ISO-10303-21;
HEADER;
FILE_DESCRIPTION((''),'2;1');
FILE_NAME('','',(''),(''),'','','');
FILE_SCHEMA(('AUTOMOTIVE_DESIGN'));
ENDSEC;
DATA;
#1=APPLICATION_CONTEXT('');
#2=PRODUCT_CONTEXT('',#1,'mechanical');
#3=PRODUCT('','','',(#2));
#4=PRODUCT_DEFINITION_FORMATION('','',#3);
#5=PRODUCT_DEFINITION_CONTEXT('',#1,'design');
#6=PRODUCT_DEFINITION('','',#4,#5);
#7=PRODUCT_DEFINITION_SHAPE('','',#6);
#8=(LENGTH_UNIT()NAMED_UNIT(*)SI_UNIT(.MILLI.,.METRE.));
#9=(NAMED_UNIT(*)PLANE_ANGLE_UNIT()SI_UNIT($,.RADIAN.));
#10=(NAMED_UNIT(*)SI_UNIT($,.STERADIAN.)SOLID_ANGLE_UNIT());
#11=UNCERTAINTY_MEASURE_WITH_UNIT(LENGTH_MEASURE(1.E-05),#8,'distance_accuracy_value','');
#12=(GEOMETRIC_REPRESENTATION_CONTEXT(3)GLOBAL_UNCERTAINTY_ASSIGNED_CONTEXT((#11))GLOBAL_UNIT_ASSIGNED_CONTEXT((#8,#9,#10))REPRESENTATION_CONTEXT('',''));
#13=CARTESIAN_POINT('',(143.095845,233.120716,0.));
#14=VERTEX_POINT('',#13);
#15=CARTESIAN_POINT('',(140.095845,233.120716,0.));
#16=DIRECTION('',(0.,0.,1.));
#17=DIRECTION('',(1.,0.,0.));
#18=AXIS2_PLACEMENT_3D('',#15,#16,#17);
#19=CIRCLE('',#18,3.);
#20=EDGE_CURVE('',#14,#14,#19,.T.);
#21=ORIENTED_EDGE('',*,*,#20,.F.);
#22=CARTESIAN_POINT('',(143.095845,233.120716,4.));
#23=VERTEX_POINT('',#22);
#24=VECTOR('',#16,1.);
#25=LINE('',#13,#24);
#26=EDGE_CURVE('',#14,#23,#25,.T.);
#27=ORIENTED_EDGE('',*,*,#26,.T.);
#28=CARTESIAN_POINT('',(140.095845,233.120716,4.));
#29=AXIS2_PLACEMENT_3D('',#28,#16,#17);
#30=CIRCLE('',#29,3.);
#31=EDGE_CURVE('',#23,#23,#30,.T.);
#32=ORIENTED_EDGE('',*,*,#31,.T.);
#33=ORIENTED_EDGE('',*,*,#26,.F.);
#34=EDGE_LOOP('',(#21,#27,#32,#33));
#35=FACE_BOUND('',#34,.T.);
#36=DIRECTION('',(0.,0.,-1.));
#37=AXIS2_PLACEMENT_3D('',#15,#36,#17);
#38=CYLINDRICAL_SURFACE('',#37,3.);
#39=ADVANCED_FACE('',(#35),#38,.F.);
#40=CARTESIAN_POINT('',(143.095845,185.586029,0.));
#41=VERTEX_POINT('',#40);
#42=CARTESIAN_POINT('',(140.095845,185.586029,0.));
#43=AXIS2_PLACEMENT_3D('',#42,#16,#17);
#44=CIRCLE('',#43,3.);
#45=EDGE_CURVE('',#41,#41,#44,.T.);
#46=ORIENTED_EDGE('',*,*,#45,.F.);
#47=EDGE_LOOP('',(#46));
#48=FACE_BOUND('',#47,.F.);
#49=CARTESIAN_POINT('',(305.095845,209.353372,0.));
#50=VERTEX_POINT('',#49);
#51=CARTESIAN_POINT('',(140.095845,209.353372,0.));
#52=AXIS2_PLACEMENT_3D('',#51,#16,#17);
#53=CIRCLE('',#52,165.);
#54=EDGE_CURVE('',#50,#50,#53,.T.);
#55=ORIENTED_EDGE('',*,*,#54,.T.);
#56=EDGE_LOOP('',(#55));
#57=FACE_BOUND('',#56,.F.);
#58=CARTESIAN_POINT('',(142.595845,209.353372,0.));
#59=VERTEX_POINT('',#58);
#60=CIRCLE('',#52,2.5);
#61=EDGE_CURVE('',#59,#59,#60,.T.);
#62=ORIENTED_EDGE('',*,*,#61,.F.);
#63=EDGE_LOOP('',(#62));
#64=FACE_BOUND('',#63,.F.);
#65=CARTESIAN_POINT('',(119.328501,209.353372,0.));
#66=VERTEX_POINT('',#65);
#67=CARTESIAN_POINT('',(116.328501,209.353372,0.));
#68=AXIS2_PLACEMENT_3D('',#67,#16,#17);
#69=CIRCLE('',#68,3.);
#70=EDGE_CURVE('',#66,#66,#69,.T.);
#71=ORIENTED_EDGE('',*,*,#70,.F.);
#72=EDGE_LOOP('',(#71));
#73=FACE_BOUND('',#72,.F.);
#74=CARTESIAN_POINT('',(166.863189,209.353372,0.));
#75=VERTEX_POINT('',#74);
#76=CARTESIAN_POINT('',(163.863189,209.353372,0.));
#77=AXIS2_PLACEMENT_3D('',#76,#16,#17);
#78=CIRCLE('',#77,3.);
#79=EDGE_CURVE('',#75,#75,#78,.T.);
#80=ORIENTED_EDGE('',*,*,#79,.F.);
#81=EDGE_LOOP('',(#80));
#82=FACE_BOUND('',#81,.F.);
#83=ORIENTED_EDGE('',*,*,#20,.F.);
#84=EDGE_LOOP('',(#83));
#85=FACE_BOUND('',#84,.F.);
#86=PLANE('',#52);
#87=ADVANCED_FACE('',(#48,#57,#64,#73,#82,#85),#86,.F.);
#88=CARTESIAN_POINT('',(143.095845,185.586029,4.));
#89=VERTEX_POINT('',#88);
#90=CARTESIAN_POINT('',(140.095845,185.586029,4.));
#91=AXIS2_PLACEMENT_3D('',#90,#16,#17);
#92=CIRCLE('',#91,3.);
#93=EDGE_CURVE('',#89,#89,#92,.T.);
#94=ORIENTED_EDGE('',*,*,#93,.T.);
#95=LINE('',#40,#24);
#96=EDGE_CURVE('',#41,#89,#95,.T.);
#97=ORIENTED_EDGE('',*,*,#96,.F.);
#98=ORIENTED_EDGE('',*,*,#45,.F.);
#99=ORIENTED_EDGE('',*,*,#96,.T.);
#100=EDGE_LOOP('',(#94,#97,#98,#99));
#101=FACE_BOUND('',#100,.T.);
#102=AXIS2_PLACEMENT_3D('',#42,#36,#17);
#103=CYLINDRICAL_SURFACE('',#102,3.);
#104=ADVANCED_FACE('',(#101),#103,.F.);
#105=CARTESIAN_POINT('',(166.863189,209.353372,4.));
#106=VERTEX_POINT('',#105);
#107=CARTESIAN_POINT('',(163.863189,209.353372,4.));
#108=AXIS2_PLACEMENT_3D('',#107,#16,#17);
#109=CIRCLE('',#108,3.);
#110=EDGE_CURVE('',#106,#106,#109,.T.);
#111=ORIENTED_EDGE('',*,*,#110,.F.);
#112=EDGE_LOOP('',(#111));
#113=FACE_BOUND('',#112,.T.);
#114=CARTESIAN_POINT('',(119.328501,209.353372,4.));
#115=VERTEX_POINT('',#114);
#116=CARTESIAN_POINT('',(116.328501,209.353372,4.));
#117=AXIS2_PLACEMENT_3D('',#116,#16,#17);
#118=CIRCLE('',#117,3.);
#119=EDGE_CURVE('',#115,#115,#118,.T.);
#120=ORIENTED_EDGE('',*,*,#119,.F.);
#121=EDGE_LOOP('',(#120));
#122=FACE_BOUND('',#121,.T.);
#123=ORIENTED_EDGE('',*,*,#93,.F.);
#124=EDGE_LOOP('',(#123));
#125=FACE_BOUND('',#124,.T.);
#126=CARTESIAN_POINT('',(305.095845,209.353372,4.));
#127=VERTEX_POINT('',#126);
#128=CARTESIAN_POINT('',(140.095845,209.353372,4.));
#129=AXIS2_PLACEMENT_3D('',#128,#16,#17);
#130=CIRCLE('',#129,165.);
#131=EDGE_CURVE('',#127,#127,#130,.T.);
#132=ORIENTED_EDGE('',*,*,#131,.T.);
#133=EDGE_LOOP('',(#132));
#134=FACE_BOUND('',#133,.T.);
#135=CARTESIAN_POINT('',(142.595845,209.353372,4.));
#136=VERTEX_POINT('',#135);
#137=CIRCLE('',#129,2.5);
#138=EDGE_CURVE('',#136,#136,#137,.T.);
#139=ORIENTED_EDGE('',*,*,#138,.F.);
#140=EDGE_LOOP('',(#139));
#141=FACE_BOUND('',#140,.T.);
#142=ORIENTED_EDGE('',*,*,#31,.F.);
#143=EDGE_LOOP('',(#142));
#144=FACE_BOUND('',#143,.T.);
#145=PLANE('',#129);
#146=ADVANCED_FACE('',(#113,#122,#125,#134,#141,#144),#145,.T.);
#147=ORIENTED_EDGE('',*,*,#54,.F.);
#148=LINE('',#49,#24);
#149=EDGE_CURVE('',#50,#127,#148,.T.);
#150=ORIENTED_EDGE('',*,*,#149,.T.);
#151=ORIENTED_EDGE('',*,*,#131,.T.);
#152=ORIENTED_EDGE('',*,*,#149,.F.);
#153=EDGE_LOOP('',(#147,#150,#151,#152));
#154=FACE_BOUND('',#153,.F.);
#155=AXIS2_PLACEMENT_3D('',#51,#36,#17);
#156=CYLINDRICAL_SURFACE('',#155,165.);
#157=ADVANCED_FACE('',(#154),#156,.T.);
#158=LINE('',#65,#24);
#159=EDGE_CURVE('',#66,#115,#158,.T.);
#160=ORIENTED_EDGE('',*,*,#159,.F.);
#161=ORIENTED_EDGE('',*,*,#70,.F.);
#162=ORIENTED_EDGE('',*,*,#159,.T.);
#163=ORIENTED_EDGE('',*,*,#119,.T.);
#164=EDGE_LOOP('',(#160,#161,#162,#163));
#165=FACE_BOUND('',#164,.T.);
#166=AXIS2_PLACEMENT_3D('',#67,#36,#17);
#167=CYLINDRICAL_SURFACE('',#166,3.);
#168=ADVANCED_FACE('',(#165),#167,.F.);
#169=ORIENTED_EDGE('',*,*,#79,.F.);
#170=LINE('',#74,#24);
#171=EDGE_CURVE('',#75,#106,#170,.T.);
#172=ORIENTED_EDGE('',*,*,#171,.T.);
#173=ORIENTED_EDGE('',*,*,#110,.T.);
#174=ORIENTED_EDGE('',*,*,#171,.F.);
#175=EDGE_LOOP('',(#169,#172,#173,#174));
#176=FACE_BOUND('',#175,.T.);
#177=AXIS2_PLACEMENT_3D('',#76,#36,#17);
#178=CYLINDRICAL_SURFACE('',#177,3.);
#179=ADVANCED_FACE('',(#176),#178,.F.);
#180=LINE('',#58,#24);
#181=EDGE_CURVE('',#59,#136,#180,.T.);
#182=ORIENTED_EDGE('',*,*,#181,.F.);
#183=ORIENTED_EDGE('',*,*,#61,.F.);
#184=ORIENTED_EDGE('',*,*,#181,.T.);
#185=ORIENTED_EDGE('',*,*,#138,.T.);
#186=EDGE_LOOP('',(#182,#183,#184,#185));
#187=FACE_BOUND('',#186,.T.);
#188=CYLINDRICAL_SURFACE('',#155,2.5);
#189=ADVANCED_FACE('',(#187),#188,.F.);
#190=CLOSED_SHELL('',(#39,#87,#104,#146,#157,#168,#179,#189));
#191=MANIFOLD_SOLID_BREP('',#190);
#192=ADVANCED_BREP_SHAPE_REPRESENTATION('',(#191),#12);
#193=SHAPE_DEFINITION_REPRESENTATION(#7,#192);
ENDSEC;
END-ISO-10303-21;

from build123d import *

# Parameters (mm, degrees)
F0_R     = 165
F0_R_2   = 3
F0_R_3   = 2.5
F1_DEPTH = 4


with BuildPart() as f1:
    # F0 (on Top) → F1 (new body)
    with BuildSketch(Plane.XY):
        with Locations((140.095845, 209.353372)):
            Circle(F0_R)
        with Locations((140.095845, 185.586029)):
            Circle(F0_R_2, mode=Mode.SUBTRACT)
        with Locations((116.328501, 209.353372)):
            Circle(F0_R_2, mode=Mode.SUBTRACT)
        with Locations((140.095845, 209.353372)):
            Circle(F0_R_3, mode=Mode.SUBTRACT)
        with Locations((163.863189, 209.353372)):
            Circle(F0_R_2, mode=Mode.SUBTRACT)
        with Locations((140.095845, 233.120716)):
            Circle(F0_R_2, mode=Mode.SUBTRACT)
    extrude(amount=F1_DEPTH)


solid = f1.part
